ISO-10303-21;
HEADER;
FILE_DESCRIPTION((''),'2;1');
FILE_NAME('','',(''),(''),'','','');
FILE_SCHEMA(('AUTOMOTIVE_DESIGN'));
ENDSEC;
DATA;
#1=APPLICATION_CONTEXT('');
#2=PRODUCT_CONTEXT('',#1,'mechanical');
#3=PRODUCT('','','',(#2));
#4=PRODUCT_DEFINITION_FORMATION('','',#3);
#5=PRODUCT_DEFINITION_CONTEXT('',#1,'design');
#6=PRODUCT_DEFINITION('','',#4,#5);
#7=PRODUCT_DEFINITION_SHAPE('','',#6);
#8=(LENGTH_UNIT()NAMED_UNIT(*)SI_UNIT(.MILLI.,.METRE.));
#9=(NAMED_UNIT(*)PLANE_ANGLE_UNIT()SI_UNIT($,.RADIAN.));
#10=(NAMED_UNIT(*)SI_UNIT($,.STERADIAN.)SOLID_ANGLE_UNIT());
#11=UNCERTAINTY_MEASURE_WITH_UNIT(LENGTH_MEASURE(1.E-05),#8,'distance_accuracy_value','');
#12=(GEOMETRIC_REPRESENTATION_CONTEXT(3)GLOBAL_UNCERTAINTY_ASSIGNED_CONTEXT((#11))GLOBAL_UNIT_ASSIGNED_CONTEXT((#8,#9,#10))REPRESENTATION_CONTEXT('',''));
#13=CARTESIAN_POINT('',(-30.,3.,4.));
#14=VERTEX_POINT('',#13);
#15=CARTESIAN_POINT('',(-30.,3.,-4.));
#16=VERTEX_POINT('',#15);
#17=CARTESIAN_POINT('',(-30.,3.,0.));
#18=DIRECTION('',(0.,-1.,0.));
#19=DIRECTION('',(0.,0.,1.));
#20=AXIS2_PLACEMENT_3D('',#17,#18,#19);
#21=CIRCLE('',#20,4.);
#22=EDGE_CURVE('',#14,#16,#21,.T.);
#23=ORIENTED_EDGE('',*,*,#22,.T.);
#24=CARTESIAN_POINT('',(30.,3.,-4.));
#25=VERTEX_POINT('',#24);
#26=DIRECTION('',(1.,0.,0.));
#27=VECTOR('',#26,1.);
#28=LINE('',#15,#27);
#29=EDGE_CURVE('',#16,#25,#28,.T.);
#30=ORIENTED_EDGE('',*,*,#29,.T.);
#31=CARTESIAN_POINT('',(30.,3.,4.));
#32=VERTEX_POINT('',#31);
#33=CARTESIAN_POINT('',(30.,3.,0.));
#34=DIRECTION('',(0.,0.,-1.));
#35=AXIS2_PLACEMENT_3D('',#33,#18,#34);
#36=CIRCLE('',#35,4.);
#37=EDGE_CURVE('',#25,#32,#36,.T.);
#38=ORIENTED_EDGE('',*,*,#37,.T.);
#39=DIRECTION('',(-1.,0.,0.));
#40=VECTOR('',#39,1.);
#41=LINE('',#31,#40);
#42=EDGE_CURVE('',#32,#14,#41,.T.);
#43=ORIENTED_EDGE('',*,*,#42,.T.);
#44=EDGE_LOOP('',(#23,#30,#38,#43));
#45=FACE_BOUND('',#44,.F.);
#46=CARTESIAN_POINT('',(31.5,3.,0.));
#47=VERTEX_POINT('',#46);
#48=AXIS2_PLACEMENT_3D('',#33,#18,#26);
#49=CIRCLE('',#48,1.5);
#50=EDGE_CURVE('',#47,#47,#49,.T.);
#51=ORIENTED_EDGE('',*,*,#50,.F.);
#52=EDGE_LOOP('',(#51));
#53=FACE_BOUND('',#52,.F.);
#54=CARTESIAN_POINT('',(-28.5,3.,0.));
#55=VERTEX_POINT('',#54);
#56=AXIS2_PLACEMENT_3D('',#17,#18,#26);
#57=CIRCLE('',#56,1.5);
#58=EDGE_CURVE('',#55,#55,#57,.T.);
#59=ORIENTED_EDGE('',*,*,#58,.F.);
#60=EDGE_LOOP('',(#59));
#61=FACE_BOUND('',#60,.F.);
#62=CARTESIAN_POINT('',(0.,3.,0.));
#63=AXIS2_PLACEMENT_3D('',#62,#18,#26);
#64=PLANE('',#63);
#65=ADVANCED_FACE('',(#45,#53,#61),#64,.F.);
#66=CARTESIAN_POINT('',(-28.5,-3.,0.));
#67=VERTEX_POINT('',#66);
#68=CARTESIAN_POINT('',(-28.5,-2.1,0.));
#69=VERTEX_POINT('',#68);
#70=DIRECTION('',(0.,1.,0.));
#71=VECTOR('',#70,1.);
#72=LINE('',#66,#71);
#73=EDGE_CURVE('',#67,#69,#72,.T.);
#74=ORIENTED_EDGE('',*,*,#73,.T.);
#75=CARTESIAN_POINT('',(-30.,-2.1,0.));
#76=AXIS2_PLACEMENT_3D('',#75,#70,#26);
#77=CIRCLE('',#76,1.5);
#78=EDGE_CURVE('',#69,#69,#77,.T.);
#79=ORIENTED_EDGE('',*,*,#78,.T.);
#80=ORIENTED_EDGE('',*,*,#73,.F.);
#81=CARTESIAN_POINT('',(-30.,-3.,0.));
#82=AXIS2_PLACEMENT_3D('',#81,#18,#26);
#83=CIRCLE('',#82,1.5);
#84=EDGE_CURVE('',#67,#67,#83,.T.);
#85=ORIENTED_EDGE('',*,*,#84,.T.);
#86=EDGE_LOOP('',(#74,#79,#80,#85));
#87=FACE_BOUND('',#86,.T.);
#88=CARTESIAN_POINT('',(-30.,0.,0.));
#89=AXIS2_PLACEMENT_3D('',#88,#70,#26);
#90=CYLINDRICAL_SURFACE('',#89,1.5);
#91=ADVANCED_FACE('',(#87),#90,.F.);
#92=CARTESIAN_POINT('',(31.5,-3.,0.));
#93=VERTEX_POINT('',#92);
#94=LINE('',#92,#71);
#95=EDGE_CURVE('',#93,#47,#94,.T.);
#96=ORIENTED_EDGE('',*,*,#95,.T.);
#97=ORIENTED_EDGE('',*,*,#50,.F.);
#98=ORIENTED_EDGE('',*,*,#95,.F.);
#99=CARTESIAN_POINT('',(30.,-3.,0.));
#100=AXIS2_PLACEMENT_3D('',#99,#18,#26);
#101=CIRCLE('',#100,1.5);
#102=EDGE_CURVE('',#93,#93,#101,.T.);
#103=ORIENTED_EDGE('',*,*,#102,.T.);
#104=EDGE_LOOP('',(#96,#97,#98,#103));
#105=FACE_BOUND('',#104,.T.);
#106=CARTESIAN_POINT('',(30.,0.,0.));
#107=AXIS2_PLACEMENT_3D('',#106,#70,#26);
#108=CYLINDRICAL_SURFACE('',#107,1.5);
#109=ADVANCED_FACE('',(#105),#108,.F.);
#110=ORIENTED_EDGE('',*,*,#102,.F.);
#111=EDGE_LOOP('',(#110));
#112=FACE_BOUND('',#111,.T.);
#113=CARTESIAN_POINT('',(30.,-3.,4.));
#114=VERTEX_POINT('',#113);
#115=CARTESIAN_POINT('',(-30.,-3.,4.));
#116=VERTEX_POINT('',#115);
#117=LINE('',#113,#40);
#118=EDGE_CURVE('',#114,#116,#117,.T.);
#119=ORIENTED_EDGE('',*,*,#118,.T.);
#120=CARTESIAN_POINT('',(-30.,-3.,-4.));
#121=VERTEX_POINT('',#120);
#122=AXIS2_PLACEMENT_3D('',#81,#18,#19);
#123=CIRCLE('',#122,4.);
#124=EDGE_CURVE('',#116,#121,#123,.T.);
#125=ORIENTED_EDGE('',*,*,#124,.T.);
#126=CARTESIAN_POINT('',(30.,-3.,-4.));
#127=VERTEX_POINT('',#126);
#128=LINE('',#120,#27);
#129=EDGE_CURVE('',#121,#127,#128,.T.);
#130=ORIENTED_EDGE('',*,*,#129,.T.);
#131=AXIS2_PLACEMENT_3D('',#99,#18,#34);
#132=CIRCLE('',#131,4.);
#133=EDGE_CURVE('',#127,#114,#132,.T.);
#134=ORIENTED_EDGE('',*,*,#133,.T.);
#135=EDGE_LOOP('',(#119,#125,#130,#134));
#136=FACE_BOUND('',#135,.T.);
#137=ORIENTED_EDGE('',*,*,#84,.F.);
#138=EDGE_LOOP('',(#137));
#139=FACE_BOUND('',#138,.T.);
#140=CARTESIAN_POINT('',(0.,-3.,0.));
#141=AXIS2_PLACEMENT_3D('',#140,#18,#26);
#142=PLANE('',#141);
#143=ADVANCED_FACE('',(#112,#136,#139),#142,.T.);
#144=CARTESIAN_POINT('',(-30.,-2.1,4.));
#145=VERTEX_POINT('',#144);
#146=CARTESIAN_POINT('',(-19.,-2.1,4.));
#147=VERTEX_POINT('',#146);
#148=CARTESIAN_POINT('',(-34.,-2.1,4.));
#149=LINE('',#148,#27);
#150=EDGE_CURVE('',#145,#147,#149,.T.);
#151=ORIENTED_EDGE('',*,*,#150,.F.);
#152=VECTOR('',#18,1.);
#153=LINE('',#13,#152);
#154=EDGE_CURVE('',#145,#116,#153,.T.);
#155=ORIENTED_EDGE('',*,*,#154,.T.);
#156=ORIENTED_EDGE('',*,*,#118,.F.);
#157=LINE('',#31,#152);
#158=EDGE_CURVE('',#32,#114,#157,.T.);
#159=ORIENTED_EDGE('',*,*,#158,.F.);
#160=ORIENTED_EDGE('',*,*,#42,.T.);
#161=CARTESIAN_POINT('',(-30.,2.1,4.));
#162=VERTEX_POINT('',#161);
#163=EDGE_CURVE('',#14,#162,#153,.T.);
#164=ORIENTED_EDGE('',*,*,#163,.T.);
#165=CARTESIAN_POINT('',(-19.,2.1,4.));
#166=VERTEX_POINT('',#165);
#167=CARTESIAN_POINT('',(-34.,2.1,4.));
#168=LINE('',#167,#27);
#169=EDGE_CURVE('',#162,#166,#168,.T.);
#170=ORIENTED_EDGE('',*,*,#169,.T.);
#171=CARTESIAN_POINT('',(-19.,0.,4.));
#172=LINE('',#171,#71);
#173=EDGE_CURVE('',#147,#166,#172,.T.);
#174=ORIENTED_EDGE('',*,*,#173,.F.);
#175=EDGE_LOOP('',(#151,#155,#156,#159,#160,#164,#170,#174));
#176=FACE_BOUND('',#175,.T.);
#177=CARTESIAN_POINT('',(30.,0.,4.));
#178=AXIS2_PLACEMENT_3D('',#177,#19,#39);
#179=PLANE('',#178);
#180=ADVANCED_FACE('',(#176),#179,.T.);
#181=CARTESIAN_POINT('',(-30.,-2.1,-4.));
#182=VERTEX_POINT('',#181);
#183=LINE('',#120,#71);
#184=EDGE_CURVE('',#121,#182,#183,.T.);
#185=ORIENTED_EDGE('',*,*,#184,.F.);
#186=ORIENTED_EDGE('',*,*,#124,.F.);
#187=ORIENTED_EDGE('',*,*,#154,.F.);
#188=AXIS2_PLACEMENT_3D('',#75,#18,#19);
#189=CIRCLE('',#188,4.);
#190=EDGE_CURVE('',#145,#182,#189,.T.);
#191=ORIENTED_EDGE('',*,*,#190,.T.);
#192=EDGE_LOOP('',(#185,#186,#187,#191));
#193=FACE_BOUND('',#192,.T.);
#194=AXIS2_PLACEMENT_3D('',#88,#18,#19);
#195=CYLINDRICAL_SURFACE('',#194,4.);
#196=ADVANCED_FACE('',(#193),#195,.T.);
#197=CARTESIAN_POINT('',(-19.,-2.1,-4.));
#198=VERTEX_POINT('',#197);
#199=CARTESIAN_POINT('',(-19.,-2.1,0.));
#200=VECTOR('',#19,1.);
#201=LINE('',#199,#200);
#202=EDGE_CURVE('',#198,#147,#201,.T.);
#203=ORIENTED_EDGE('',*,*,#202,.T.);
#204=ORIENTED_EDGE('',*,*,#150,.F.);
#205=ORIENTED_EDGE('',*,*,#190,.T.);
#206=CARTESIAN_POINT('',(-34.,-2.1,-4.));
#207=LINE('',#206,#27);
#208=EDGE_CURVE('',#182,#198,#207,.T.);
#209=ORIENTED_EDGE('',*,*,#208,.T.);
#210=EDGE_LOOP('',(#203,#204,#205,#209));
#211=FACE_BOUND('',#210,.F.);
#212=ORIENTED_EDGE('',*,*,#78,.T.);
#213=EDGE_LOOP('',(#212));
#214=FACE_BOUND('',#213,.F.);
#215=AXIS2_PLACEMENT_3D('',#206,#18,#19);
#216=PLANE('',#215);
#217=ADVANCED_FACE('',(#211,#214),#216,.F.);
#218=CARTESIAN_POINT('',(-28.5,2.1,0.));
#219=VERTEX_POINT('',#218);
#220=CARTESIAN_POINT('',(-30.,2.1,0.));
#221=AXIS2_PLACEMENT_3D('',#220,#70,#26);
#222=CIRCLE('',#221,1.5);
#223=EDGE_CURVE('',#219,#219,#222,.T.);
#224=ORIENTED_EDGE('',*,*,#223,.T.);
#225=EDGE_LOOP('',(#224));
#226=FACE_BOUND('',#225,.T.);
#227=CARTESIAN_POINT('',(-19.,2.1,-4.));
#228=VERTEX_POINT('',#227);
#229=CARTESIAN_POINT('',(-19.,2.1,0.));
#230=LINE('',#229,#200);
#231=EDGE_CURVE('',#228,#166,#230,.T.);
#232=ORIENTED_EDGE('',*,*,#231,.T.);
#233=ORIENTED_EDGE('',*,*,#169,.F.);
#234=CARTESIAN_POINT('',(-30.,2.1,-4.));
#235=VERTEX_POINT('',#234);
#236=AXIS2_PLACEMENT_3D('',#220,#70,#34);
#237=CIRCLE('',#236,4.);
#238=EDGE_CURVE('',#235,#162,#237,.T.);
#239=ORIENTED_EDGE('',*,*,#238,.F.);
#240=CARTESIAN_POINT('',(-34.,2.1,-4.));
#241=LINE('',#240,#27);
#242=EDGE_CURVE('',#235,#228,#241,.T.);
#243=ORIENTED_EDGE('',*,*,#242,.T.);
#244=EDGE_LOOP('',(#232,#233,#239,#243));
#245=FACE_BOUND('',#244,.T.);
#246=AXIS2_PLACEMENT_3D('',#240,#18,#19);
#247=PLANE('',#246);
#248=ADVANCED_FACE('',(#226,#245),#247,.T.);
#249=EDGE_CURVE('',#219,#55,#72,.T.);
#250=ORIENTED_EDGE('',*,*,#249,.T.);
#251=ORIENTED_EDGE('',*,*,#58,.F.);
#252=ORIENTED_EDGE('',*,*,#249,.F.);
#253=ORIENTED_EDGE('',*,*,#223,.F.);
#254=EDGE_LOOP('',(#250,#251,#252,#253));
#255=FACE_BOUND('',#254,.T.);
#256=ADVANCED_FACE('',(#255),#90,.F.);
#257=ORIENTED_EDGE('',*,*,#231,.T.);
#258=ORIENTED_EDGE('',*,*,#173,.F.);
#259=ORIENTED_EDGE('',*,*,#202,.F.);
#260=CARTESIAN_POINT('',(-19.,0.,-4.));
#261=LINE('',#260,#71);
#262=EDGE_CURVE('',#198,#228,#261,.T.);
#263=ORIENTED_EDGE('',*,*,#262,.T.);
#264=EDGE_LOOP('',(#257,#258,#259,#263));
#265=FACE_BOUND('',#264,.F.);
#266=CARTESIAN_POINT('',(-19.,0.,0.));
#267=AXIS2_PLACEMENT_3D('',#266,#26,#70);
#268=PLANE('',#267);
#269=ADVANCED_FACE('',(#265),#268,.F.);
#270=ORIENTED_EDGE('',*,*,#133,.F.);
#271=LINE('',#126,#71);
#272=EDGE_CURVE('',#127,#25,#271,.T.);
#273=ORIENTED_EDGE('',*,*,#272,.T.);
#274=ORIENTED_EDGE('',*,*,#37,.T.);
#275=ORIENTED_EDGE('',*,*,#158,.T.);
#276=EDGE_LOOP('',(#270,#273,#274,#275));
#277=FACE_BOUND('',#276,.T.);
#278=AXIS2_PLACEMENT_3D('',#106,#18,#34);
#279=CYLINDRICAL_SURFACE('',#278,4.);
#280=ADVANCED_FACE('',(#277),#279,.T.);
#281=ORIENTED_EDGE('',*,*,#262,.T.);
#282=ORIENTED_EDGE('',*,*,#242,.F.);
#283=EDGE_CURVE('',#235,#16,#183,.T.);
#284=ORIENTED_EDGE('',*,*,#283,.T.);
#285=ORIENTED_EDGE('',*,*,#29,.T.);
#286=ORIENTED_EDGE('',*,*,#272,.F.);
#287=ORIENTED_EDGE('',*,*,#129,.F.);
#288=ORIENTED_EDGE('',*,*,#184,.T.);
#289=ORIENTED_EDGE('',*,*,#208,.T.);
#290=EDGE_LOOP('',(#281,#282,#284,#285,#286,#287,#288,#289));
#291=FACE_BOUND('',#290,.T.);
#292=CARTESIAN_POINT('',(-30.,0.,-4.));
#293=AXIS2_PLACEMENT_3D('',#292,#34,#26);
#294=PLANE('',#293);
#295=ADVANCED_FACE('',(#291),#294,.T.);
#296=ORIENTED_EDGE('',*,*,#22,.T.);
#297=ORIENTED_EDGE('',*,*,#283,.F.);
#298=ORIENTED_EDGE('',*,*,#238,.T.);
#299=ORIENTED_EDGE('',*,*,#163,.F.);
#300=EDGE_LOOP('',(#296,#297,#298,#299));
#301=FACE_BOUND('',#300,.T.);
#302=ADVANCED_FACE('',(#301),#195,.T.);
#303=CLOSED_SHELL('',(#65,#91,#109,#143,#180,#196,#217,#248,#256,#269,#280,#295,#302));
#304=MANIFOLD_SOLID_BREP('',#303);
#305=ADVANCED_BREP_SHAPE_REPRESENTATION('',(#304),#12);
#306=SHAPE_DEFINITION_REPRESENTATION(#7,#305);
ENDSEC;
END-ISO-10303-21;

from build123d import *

# Parameters (mm, degrees)
F0_R     = 1.5
F1_DEPTH = 3
F3_W     = 4.2
F3_H     = 8
F4_DEPTH = 15


with BuildPart() as f1:
    # F0 (on Front) → F1 (new body, symmetric)
    with BuildSketch(Plane.XZ):
        with BuildLine():
            ThreePointArc((30, -4), (34, 0), (30, 4))
            Line((30, 4), (-30, 4))
            ThreePointArc((-30, 4), (-34, 0), (-30, -4))
            Line((-30, -4), (30, -4))
        make_face()
        with Locations((-30, 0)):
            Circle(F0_R, mode=Mode.SUBTRACT)
        with Locations((30, 0)):
            Circle(F0_R, mode=Mode.SUBTRACT)
    extrude(amount=F1_DEPTH, both=True)

    # F3 (on offset) → F4 (cut)
    with BuildSketch(Plane.YZ.offset(-34)):
        Rectangle(F3_W, F3_H)
    extrude(amount=F4_DEPTH, mode=Mode.SUBTRACT)


solid = f1.part
